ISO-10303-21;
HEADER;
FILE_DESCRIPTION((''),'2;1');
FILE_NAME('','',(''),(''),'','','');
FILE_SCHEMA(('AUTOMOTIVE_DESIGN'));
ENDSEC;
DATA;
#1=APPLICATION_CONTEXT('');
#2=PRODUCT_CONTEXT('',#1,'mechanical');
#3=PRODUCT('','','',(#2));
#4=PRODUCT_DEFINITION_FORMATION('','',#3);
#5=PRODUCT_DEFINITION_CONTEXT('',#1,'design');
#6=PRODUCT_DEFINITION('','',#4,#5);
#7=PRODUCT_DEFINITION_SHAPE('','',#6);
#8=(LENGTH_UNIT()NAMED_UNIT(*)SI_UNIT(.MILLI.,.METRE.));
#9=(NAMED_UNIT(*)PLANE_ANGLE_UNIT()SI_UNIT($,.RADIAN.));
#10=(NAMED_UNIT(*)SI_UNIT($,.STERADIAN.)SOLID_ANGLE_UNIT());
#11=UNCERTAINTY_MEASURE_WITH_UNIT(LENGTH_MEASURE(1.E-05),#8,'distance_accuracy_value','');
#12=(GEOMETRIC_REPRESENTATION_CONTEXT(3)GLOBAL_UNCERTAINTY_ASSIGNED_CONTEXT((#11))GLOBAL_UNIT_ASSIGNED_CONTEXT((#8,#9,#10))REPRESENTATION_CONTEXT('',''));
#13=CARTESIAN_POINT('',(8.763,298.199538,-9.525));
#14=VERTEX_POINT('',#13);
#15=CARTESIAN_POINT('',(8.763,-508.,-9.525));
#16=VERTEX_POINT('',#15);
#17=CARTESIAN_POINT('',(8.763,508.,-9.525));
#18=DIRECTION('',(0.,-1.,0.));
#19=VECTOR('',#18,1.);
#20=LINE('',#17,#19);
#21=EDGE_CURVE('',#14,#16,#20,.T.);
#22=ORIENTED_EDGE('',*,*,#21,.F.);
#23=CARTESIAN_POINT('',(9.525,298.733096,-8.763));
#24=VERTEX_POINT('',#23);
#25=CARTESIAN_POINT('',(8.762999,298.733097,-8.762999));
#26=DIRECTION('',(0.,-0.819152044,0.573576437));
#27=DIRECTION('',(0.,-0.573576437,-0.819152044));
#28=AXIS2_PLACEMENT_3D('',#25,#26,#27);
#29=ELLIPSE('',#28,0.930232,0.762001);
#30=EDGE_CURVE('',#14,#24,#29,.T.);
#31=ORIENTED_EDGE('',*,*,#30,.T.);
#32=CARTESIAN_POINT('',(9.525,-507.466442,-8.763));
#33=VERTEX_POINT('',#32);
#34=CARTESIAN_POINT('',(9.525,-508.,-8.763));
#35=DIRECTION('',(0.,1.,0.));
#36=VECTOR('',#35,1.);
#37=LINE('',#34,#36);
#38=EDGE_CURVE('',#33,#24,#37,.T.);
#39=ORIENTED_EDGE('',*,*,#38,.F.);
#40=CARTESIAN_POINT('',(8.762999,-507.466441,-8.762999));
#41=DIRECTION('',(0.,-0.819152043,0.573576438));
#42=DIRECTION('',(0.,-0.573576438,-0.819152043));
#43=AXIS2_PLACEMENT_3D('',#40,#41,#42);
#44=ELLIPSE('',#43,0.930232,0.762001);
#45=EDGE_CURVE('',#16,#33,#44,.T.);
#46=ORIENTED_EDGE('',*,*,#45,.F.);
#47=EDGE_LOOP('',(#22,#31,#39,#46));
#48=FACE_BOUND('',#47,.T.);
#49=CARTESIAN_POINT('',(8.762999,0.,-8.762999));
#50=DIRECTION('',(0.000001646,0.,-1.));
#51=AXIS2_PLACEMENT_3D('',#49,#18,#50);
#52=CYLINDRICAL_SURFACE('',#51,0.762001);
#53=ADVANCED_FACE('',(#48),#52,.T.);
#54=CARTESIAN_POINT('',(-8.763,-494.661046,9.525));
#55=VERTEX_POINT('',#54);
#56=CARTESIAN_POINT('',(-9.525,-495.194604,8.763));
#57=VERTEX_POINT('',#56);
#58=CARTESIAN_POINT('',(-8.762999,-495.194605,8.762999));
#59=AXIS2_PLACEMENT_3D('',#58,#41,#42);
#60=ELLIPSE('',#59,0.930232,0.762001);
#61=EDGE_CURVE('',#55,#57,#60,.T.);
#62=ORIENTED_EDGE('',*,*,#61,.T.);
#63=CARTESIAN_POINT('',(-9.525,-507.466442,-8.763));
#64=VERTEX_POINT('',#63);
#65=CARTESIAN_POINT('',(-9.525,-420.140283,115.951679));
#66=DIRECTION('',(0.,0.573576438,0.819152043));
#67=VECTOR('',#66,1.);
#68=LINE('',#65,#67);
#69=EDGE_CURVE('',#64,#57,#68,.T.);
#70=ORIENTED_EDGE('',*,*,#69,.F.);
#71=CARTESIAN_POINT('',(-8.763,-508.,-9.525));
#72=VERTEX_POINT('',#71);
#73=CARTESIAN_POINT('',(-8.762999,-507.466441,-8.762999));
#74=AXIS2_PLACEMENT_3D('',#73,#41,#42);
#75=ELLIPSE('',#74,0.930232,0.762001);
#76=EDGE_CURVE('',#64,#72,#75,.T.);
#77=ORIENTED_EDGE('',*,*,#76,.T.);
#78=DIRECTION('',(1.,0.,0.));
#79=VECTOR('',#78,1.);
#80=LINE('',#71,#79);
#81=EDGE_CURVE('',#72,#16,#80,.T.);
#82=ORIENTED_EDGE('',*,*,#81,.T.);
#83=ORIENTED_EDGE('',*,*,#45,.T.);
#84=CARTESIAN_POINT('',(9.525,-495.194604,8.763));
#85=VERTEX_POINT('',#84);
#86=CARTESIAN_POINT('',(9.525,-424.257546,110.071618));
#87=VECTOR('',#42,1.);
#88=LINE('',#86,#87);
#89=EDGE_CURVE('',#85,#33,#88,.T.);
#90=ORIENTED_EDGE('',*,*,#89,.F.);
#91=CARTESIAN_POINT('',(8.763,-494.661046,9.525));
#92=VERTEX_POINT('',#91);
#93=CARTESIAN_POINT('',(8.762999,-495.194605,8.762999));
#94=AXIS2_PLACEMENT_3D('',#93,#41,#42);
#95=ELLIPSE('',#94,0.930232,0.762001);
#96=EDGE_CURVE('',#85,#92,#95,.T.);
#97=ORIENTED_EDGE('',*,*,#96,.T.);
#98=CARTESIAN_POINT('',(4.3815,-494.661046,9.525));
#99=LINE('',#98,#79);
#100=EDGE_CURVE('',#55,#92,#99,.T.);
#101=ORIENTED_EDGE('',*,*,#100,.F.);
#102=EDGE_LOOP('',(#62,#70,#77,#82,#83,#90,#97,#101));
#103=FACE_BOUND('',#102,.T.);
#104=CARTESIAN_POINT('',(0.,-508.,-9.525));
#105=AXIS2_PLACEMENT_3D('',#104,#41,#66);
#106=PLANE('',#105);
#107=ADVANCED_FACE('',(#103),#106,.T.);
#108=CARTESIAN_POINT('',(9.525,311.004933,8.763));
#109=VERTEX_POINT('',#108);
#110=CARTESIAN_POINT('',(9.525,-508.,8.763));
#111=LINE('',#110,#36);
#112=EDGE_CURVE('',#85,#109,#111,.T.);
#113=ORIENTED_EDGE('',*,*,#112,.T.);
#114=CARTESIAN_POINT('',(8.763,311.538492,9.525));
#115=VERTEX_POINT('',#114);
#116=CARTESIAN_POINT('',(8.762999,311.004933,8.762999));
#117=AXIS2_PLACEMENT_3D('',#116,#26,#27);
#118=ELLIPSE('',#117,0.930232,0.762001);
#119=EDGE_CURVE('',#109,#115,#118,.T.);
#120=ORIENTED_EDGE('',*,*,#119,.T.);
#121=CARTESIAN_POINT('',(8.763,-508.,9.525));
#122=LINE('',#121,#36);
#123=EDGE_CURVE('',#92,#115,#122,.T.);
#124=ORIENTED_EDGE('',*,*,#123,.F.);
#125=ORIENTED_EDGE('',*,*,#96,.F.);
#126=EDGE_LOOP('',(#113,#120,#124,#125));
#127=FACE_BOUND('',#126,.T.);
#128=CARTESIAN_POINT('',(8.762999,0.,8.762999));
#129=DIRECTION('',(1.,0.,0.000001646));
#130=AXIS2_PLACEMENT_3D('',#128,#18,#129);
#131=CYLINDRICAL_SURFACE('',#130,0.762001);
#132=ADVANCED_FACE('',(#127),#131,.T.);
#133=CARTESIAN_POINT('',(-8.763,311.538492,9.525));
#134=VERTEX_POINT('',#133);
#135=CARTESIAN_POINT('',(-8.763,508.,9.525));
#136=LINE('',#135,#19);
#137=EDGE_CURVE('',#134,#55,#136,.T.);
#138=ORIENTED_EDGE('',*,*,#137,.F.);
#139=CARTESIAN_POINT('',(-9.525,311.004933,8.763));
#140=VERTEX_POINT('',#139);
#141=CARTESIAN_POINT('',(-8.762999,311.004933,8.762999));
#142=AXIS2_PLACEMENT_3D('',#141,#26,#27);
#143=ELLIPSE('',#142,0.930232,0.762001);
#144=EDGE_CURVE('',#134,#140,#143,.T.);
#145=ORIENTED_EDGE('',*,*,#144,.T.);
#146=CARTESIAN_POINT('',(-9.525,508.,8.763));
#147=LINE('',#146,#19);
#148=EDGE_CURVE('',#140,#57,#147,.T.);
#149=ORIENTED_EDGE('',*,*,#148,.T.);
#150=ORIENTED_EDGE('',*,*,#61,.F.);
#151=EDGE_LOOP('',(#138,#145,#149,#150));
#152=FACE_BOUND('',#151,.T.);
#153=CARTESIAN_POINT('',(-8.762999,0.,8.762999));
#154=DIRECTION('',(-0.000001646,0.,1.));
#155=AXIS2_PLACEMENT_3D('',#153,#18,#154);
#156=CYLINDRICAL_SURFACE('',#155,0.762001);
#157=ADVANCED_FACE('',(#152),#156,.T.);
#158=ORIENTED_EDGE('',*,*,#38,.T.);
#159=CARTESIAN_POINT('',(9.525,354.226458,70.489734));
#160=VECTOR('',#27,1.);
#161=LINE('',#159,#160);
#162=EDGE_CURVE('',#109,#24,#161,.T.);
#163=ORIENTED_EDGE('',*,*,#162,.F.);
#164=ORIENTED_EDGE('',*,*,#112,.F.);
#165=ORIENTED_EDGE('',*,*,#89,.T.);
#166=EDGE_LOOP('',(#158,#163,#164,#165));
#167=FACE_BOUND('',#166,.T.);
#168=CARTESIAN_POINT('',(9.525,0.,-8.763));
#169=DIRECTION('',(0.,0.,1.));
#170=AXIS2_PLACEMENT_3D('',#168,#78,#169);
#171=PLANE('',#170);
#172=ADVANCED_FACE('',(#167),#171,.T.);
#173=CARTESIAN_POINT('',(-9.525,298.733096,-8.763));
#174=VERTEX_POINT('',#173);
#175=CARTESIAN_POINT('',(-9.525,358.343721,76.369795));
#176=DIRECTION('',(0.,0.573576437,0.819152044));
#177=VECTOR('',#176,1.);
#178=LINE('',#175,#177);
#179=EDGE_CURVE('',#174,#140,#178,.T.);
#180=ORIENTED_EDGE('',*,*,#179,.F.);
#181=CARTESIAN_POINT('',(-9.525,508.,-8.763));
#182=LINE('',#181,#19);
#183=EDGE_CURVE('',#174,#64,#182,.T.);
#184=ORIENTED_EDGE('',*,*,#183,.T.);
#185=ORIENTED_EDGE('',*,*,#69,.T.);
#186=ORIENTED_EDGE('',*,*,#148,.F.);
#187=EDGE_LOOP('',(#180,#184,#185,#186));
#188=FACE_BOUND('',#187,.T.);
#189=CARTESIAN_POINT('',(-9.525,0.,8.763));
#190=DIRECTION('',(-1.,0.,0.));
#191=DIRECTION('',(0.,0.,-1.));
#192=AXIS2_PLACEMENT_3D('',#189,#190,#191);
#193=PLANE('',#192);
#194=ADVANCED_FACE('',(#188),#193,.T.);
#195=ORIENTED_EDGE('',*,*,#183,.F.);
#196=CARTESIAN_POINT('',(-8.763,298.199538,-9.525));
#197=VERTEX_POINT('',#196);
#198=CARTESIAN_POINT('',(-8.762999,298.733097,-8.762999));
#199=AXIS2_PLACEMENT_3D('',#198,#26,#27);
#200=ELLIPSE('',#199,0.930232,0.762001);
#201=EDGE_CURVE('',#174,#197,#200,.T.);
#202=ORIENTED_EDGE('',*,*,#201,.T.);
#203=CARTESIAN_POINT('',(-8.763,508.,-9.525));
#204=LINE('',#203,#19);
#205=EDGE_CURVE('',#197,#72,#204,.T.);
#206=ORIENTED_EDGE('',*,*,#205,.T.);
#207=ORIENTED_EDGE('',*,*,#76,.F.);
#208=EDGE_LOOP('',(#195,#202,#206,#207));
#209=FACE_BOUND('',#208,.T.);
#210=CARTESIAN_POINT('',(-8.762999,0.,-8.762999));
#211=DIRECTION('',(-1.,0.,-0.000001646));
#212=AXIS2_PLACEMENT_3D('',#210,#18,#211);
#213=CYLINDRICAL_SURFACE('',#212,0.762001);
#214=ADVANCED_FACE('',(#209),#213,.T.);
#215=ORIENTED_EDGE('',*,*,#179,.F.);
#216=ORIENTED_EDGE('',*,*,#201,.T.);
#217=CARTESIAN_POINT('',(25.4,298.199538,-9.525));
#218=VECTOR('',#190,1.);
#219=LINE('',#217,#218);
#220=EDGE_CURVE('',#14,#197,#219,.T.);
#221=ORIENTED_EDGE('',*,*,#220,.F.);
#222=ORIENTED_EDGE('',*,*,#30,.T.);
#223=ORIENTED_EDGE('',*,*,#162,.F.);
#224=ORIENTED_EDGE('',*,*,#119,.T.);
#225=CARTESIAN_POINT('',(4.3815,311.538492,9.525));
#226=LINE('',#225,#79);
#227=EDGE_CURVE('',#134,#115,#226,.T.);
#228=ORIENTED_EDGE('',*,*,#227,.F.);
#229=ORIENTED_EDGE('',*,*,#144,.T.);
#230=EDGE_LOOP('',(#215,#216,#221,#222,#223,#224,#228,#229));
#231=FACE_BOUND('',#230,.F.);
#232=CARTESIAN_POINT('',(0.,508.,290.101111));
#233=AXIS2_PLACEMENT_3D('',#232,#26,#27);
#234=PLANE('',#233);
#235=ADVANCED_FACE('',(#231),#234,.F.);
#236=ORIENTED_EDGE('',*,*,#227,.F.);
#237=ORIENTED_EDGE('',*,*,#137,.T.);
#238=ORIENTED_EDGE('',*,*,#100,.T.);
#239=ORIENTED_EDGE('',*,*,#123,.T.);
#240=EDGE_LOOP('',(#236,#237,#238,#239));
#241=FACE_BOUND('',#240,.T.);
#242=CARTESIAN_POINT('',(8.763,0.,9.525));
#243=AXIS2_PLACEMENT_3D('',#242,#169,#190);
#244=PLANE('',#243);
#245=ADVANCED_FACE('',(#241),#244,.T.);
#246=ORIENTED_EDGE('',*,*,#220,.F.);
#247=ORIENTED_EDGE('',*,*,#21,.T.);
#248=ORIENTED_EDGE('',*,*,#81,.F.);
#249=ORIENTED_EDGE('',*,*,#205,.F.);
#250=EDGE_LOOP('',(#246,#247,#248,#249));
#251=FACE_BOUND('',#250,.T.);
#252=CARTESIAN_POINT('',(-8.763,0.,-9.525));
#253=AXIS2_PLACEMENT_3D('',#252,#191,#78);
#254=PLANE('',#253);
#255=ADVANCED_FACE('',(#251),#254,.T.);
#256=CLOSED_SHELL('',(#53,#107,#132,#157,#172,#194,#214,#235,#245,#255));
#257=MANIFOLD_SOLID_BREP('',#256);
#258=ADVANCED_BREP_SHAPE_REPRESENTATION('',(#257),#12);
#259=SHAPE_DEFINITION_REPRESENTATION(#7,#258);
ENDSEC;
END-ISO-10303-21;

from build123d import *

# Parameters (mm, degrees)
F1_DEPTH = 508
F3_DEPTH = 25.4


with BuildPart() as f1:
    # F0 (on Front) → F1 (new body, symmetric)
    with BuildSketch(Plane.XZ):
        with BuildLine():
            Line((8.763, 9.525), (-8.763, 9.525))
            ThreePointArc((-8.763, 9.525), (-9.301815, 9.301815), (-9.525, 8.763))
            Line((-9.525, 8.763), (-9.525, -8.763))
            ThreePointArc((-9.525, -8.763), (-9.301815, -9.301815), (-8.763, -9.525))
            Line((-8.763, -9.525), (8.763, -9.525))
            ThreePointArc((8.763, -9.525), (9.301815, -9.301815), (9.525, -8.763))
            Line((9.525, -8.763), (9.525, 8.763))
            ThreePointArc((9.525, 8.763), (9.301815, 9.301815), (8.763, 9.525))
        make_face()
    extrude(amount=F1_DEPTH, both=True)

    # F2 (on Right) → F3 (cut, symmetric)
    with BuildSketch(Plane.YZ):
        Polygon((-508, 24.218117), (-508, -9.525), (-484.372815, 24.218117), align=None)
        Polygon((508, -9.525), (508, 290.101111), (298.199538, -9.525), align=None)
    extrude(amount=F3_DEPTH, both=True, mode=Mode.SUBTRACT)


solid = f1.part
